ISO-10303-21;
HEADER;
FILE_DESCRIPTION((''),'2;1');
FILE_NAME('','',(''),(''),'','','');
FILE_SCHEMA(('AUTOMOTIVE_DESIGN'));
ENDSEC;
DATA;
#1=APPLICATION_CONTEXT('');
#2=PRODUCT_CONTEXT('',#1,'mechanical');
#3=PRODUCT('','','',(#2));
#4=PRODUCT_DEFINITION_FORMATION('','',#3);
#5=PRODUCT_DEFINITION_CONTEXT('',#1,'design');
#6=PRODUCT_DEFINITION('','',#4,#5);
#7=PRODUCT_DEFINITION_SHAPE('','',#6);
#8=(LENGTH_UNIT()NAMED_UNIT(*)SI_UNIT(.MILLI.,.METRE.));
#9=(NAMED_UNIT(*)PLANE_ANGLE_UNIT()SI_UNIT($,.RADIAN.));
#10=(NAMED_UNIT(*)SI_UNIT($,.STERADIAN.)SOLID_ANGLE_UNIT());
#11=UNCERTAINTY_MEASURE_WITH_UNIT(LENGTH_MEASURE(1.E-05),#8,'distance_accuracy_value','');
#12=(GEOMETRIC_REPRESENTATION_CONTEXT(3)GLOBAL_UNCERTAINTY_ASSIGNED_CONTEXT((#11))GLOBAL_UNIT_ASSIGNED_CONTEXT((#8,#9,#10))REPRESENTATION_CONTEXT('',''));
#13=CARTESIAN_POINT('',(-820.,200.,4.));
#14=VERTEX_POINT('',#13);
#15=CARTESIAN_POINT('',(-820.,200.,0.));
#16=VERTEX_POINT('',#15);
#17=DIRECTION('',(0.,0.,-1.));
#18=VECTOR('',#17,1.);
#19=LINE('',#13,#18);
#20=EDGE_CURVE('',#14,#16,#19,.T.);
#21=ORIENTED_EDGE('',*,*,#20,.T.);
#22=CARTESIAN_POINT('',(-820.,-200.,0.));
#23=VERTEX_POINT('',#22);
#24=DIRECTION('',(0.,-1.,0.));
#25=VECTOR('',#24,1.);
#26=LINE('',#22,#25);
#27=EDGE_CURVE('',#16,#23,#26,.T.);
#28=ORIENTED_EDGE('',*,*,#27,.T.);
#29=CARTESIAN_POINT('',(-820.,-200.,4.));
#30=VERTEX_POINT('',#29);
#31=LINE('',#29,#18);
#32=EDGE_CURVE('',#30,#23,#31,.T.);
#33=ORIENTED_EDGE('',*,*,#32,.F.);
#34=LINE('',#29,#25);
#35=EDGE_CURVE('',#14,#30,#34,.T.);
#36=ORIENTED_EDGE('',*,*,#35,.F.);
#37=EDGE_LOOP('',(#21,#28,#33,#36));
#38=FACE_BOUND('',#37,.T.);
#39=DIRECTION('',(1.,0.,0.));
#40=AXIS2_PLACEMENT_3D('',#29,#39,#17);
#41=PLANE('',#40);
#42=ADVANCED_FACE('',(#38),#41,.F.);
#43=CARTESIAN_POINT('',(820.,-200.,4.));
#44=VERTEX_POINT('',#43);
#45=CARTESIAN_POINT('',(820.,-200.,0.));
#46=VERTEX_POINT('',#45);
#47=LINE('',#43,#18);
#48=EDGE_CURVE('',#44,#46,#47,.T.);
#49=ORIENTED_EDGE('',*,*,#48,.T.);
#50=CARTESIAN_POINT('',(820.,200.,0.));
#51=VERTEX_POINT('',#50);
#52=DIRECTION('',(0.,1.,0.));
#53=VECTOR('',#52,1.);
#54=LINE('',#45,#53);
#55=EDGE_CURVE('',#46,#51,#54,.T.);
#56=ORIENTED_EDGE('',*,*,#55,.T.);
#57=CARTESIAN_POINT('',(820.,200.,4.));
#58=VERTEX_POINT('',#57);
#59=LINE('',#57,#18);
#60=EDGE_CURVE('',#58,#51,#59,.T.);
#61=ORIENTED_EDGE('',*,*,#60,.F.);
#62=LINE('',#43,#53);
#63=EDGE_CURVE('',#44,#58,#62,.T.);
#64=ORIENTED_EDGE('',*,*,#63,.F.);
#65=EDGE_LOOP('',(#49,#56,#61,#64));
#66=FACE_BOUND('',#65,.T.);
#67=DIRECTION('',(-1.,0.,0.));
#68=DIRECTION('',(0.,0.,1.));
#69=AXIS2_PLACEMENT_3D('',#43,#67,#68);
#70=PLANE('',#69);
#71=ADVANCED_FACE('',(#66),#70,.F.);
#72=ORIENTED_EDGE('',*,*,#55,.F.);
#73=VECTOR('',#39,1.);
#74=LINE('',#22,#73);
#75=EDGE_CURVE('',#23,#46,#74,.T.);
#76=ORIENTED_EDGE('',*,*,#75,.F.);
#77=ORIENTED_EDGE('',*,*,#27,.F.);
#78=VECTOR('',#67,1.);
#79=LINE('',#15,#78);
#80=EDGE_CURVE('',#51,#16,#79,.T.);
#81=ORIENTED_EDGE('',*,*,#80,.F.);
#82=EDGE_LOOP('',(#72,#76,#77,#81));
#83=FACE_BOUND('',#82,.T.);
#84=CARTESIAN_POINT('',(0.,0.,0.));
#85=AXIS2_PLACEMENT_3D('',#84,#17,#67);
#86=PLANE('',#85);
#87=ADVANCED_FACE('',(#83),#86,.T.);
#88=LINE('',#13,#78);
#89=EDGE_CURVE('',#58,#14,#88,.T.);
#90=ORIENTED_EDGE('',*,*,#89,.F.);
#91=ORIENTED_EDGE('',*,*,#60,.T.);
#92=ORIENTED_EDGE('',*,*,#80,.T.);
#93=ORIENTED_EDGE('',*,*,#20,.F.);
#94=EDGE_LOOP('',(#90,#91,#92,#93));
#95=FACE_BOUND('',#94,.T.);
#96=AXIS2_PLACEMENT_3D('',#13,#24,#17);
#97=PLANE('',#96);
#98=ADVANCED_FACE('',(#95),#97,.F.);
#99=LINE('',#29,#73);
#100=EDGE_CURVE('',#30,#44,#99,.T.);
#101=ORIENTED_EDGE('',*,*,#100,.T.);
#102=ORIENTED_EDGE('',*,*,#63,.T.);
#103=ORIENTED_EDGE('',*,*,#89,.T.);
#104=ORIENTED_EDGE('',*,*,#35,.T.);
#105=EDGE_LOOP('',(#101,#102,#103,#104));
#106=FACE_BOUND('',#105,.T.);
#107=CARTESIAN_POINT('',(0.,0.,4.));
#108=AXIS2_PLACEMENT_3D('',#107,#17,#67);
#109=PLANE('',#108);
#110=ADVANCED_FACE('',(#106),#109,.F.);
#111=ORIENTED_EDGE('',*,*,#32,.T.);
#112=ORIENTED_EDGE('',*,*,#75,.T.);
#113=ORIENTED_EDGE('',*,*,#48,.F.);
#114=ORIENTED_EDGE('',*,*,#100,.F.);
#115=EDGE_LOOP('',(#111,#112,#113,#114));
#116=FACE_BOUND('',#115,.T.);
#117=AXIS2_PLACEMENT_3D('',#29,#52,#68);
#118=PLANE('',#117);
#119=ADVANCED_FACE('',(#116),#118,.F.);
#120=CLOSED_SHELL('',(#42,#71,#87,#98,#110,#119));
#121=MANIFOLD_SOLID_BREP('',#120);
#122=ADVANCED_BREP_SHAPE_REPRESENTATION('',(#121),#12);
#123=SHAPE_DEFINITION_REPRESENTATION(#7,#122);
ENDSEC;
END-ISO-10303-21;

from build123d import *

# Parameters (mm, degrees)
ESBO_O1_W                = 1640
ESBO_O1_H                = 400
RESSALTO_EXTRUS_O1_DEPTH = 4


with BuildPart() as part:
    # Esboço1 → Ressalto-extrusão1 (new body)
    with BuildSketch(Plane.XY):
        Rectangle(ESBO_O1_W, ESBO_O1_H)
    extrude(amount=RESSALTO_EXTRUS_O1_DEPTH)


solid = part.part
